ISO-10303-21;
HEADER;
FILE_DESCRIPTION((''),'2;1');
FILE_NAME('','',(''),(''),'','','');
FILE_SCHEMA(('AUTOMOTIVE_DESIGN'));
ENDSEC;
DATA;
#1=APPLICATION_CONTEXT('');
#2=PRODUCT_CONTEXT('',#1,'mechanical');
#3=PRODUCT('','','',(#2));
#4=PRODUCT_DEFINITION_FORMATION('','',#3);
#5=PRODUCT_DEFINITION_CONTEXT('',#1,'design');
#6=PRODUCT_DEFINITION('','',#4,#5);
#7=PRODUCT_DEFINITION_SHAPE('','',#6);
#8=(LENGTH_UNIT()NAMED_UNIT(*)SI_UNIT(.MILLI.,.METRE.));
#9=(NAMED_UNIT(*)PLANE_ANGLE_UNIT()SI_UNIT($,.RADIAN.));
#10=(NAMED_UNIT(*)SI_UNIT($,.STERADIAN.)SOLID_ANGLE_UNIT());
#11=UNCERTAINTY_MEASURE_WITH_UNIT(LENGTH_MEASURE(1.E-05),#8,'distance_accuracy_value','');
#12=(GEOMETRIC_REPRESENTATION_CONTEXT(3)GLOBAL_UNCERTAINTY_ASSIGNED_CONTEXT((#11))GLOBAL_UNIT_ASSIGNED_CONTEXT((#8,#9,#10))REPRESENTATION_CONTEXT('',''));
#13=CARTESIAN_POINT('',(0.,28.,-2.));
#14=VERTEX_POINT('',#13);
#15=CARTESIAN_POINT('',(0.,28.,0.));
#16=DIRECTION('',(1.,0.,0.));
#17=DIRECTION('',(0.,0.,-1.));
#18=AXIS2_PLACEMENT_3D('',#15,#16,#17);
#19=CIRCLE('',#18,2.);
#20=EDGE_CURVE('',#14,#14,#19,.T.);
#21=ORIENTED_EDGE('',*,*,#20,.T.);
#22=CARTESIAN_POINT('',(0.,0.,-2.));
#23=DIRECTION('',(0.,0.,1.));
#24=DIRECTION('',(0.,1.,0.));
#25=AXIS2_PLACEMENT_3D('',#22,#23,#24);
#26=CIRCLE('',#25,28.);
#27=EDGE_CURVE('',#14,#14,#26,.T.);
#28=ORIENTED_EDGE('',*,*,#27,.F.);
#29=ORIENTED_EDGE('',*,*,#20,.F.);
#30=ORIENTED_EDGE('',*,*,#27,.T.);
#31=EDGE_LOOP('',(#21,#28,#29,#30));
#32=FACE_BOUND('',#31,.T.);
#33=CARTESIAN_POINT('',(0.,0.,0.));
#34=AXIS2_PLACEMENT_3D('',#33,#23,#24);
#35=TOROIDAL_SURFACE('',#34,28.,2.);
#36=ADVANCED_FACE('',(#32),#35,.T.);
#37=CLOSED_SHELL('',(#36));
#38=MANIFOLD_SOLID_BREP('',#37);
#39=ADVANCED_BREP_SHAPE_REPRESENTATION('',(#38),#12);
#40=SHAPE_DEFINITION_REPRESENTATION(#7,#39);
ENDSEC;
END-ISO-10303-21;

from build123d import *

# Parameters (mm, degrees)
ESQUISSE1_R = 2


with BuildPart() as part:
    # Esquisse1 → Révolution1 (revolve)
    with BuildSketch(Plane(origin=(0, 0, 0), x_dir=(0, 0, -1), z_dir=(1, 0, 0))):
        with Locations((0, 28)):
            Circle(ESQUISSE1_R)
    revolve(axis=Axis((0, 0, -88.99), (0, 0, 1)))


solid = part.part
